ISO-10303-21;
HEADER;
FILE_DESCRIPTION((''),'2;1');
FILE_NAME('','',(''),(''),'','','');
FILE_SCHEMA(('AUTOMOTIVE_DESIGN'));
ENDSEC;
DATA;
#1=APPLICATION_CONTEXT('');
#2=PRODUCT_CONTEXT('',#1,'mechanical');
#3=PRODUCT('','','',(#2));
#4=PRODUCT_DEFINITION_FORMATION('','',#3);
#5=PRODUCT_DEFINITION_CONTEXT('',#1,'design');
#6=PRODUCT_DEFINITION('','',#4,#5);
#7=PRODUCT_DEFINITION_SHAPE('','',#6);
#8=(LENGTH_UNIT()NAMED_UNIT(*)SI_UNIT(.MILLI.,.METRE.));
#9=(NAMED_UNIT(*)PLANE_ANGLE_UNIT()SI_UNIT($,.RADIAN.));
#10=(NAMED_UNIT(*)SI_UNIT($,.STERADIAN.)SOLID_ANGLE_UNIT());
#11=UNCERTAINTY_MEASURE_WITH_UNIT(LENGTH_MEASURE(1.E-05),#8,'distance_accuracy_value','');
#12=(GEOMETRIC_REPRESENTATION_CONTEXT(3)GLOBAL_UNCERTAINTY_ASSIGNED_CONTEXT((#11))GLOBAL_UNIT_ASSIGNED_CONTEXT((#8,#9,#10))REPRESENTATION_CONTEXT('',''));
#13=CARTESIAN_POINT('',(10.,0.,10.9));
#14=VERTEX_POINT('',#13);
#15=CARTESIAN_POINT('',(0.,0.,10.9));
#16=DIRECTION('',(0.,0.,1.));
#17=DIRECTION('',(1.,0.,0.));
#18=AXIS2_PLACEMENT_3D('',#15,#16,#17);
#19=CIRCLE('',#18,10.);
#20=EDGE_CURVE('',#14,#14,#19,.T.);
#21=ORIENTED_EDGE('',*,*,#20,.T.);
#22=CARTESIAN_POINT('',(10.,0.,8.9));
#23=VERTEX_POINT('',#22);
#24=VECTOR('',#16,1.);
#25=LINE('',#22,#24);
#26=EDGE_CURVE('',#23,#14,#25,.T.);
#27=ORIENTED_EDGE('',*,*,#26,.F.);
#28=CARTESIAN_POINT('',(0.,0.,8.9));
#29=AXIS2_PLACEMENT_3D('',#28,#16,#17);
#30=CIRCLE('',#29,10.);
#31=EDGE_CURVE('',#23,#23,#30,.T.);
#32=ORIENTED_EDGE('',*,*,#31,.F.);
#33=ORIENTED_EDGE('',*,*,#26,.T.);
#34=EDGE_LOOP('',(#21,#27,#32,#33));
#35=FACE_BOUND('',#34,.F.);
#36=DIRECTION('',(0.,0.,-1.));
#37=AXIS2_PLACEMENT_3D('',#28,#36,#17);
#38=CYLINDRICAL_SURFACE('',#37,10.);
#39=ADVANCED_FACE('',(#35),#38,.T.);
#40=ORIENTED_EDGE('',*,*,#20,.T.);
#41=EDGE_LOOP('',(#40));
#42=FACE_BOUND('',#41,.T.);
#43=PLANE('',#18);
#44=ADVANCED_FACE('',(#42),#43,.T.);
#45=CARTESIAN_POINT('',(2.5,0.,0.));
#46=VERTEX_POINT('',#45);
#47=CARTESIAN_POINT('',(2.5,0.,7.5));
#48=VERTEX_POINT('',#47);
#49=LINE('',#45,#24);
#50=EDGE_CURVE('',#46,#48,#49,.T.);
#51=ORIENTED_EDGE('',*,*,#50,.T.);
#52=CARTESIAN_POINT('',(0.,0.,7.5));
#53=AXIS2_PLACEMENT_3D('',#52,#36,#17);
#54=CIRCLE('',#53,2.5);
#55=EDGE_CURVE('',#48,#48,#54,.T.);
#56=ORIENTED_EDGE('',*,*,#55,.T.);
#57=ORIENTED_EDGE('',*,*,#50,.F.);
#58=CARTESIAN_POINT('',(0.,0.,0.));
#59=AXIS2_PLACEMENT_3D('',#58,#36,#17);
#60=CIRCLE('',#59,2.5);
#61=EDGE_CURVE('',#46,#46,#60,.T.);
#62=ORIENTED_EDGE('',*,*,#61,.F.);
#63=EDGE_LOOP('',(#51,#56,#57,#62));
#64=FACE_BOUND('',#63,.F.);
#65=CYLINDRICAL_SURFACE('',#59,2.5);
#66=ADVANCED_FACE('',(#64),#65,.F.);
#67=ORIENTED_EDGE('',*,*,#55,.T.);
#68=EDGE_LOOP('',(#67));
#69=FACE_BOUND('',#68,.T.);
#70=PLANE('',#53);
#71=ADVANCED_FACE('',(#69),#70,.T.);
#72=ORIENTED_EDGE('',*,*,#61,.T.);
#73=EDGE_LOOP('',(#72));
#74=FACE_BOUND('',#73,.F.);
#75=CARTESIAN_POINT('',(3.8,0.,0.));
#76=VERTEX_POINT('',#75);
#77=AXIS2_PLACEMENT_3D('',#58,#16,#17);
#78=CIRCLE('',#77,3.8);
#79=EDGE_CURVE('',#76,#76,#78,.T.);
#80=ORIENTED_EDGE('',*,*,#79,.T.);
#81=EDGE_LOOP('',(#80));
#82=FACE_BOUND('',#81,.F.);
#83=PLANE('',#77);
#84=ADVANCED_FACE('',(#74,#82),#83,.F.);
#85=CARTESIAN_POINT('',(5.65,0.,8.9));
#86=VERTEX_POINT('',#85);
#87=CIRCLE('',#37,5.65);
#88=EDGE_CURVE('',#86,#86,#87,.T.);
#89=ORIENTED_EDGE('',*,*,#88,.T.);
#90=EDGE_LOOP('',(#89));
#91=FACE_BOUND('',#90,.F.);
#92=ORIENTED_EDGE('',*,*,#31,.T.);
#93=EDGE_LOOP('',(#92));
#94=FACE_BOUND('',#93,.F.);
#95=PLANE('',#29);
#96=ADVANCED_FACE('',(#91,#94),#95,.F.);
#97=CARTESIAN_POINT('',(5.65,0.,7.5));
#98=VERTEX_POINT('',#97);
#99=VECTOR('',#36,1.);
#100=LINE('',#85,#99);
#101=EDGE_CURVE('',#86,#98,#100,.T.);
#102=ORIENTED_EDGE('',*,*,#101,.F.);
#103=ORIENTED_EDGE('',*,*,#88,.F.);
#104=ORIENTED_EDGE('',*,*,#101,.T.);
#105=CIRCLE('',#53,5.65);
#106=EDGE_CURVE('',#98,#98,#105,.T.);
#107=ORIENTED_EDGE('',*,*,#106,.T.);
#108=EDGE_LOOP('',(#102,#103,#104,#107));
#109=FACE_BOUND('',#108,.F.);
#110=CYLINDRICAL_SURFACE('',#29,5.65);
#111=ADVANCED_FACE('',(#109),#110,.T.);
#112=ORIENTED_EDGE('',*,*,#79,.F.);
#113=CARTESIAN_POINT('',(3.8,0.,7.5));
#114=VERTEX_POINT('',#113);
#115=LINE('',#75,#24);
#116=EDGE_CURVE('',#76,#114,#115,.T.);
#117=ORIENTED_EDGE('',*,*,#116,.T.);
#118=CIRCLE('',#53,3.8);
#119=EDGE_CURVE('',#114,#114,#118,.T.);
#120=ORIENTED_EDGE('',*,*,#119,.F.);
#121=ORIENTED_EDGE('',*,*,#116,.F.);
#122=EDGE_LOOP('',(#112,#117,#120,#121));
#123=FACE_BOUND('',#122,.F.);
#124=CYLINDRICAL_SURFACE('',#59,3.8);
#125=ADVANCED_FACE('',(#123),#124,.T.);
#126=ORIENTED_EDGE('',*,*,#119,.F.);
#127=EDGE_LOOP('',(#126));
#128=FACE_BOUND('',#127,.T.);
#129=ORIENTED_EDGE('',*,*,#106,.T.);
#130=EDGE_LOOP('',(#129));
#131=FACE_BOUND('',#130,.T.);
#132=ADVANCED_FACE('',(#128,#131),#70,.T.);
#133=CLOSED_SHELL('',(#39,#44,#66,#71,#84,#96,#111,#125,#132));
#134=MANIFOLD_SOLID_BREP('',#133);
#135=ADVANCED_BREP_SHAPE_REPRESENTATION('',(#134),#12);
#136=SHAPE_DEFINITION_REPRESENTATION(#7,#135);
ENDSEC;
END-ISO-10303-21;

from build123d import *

# Parameters (mm, degrees)
F0_R     = 3.8
F1_DEPTH = 8.9
F2_R     = 10
F3_DEPTH = 2
F4_R     = 2.5
F5_DEPTH = 8.3
F6_R     = 5.65
F7_DEPTH = 1.4


with BuildPart() as f1:
    # F0 (on Top) → F1 (new body)
    with BuildSketch(Plane.XY):
        Circle(F0_R)
    extrude(amount=F1_DEPTH)

    # F2 (on face) → F3 (join)
    with BuildSketch(Plane.XY.offset(8.9)):
        Circle(F2_R)
    extrude(amount=F3_DEPTH)

    # F4 (on face) → F5 (cut)
    with BuildSketch(Plane(origin=(0, 0, 0), x_dir=(1, 0, 0), z_dir=(0, 0, -1))):
        Circle(F4_R)
    extrude(amount=-F5_DEPTH, mode=Mode.SUBTRACT)

    # F6 (on face) → F7 (join)
    with BuildSketch(Plane(origin=(0, 0, 8.9), x_dir=(1, 0, 0), z_dir=(0, 0, -1))):
        Circle(F6_R)
    extrude(amount=F7_DEPTH)


solid = f1.part
